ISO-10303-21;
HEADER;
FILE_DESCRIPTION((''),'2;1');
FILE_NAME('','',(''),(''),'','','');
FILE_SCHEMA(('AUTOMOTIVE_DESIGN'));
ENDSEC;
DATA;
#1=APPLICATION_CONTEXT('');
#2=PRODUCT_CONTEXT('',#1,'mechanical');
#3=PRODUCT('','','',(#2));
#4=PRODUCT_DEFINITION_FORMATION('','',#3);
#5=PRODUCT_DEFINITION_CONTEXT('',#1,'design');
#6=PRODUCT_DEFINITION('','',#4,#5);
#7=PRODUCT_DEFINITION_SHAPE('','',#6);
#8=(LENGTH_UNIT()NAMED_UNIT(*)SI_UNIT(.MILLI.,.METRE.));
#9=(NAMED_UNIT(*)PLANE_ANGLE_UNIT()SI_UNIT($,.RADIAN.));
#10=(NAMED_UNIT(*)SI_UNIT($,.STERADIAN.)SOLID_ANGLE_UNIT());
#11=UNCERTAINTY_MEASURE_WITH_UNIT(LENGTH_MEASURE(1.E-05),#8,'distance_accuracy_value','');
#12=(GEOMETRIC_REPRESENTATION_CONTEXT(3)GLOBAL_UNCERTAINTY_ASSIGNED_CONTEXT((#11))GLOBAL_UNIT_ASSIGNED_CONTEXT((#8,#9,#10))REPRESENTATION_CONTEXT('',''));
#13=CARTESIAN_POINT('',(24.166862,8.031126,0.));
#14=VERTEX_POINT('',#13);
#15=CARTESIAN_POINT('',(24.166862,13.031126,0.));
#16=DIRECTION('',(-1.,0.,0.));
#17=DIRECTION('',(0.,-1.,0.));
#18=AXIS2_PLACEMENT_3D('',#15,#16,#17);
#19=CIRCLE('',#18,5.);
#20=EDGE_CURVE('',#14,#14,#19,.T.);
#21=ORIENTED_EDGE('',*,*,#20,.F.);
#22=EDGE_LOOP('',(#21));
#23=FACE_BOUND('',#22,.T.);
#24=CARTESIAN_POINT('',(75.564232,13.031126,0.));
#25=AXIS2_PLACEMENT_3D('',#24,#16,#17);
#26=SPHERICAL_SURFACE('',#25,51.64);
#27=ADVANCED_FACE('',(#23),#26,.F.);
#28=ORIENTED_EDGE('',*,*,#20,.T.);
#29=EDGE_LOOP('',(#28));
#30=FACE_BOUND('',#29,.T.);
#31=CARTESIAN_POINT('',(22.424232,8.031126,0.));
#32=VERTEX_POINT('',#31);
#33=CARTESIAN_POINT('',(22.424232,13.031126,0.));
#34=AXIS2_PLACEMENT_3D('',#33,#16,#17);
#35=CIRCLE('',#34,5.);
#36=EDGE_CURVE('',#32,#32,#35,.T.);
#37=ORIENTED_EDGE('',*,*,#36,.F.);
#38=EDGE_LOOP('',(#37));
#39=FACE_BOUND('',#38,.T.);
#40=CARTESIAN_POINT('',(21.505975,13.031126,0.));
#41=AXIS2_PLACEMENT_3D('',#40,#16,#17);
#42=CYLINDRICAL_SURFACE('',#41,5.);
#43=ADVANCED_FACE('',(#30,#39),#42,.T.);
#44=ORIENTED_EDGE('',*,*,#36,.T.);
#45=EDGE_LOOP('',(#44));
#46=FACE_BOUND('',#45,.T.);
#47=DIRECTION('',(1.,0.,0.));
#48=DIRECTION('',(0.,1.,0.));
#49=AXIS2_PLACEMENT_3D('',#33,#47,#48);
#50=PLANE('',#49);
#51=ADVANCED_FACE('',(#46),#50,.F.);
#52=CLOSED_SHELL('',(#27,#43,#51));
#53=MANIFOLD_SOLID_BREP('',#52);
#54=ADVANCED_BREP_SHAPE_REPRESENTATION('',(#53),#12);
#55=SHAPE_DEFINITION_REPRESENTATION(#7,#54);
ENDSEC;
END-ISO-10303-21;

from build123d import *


with BuildPart() as part:
    # 草图1 → 旋转1 (revolve)
    with BuildSketch(Plane.XY, mode=Mode.PRIVATE) as revolve_1_sk:
        with BuildLine():
            Line((22.424232054, 13.031126091), (22.424232054, 18.031126091))
            Line((22.424232054, 18.031126091), (24.166862471, 18.031126091))
            ThreePointArc((24.166862471, 18.031126091), (23.984925325, 15.534067837), (23.924232054, 13.031126091))
            Line((23.924232054, 13.031126091), (22.424232054, 13.031126091))
        make_face()
    revolve(revolve_1_sk.sketch.rotate(Axis((21.505975118, 13.031126091, 0), (1, 0, 0)), 180), axis=Axis((21.505975118, 13.031126091, 0), (1, 0, 0)))  # turned: the seam where the file's is


solid = part.part
